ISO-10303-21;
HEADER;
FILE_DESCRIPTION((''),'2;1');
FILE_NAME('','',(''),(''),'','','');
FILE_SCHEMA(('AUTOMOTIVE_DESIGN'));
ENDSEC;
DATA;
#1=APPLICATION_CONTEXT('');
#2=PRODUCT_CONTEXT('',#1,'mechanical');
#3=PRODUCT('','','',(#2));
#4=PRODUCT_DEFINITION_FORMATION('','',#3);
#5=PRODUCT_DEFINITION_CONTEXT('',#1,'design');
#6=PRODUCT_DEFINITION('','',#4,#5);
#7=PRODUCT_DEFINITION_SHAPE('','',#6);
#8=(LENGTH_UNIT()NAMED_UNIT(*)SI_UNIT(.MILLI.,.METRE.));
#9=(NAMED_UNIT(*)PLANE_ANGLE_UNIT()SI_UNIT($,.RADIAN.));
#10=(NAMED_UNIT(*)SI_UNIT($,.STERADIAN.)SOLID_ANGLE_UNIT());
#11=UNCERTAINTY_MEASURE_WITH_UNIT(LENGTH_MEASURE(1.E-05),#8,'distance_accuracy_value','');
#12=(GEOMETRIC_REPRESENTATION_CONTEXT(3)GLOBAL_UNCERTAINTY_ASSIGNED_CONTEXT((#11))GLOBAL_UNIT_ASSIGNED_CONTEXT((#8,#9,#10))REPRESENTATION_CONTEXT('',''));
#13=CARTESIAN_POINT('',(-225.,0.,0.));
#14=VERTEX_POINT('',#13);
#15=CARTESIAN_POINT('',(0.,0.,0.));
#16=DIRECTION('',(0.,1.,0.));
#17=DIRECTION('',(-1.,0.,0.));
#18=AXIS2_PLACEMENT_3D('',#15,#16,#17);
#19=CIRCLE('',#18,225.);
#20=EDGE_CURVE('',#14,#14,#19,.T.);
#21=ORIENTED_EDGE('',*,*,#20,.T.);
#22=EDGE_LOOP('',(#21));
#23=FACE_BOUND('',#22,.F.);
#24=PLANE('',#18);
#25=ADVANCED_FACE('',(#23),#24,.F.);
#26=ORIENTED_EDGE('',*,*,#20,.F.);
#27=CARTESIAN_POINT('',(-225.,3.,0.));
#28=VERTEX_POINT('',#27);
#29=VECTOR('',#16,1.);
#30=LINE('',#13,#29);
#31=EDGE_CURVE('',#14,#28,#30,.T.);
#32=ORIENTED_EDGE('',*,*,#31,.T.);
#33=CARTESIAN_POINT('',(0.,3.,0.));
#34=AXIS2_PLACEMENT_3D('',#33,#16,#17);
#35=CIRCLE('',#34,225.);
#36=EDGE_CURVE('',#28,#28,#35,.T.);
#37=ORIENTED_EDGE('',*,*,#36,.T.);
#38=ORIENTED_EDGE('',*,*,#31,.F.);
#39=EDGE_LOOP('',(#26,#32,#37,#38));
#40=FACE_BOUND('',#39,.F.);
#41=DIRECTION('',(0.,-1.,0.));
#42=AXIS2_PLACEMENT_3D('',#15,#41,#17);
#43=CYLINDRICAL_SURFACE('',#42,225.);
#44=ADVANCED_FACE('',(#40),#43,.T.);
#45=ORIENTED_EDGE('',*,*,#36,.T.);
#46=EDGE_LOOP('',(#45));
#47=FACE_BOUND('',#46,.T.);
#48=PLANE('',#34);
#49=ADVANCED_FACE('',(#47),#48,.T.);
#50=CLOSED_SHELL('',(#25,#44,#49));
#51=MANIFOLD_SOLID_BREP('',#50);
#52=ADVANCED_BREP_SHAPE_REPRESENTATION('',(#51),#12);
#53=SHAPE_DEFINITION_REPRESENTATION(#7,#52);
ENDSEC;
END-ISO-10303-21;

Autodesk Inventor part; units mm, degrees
ref_plane "YZ Plane" through (0, 0, 0) normal (1, 0, 0) x (0, 1, 0)
ref_plane "XZ Plane" through (0, 0, 0) normal (0, 1, 0) x (-1, 0, 0)
ref_plane "XY Plane" through (0, 0, 0) normal (0, 0, 1) x (1, 0, 0)
sketch "Sketch1" plane through (0, 0, 0) normal (0, 1, 0) x (-1, 0, 0)
  circle A0 centre (0, 0) radius 225
  dimension "d0" = 450
extrude "Extrusion1" add sketch "Sketch1" along normal blind 3
properties part number "AluminumBase" material "Steel, Galvanized"
